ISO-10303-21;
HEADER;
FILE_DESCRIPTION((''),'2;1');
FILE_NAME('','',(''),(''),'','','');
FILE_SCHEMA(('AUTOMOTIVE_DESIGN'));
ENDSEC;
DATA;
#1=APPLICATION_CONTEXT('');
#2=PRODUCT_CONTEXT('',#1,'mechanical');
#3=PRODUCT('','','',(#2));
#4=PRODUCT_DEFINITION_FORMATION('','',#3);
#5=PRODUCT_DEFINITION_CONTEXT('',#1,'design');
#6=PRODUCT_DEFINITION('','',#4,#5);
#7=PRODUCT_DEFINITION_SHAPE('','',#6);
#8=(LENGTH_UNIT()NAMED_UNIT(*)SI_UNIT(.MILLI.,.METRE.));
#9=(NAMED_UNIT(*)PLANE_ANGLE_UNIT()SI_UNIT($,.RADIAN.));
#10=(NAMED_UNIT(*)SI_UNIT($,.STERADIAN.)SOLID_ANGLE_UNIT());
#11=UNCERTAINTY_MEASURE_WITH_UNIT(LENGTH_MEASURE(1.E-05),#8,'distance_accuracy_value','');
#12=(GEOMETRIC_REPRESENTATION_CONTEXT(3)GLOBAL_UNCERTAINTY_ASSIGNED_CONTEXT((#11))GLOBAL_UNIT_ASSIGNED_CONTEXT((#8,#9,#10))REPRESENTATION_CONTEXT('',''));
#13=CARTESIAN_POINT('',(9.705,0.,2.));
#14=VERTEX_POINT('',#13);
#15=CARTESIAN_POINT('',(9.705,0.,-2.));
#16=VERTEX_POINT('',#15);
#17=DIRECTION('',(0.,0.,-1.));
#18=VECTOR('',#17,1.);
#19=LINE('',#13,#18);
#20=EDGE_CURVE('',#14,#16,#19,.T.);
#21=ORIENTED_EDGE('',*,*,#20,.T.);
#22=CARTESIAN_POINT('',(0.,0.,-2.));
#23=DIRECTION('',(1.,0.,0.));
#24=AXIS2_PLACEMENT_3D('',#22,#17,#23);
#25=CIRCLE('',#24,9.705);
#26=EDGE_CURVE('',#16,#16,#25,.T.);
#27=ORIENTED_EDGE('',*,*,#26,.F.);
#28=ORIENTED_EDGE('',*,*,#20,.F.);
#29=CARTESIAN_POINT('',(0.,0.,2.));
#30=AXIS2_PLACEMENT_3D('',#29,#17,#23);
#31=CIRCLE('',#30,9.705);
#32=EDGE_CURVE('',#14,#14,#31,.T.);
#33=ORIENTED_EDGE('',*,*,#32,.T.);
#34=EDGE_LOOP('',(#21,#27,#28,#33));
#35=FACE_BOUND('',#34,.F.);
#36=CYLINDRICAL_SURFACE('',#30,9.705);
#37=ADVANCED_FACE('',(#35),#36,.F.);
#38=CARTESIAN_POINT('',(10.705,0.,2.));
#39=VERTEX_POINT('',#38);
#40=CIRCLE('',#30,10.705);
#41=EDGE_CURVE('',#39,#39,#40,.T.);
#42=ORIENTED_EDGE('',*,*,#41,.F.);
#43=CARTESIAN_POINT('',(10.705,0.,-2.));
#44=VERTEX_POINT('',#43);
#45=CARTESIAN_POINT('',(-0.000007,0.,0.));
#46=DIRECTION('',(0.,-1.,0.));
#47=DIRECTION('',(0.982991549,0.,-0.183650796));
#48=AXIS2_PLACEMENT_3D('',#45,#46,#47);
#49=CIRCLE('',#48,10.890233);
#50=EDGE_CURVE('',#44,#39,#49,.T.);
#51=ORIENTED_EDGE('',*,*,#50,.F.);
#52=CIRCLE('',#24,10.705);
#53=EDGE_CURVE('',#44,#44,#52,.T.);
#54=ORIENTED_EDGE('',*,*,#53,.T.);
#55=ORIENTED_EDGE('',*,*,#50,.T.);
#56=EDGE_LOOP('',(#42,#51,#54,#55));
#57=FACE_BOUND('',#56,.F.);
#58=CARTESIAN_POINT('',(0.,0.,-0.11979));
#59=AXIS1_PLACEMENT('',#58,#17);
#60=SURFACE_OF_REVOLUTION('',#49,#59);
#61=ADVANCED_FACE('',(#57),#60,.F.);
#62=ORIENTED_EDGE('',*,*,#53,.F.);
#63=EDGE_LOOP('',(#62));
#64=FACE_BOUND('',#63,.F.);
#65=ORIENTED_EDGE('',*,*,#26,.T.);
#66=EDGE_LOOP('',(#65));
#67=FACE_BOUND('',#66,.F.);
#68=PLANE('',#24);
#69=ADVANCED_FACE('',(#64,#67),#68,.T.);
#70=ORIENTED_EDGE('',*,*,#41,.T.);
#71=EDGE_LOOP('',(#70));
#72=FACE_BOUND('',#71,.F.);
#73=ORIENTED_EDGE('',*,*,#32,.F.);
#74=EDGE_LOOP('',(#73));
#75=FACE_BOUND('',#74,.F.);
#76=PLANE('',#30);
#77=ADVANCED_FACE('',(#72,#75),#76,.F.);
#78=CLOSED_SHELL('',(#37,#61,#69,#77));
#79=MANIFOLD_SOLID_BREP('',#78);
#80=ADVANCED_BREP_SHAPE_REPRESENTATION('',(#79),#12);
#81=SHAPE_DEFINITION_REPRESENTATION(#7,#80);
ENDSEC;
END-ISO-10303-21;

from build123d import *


with BuildPart() as f1:
    # F0 (on Front) → F1 (revolve)
    with BuildSketch(Plane.XZ):
        with BuildLine():
            Line((9.705, -2), (10.705, -2))
            ThreePointArc((10.705, -2), (10.890226, 0), (10.705, 2))
            Line((10.705, 2), (9.705, 2))
            Line((9.705, 2), (9.705, -2))
        make_face()
    revolve(axis=Axis((0, 0, -0.11979), (0, 0, -1)))


solid = f1.part
